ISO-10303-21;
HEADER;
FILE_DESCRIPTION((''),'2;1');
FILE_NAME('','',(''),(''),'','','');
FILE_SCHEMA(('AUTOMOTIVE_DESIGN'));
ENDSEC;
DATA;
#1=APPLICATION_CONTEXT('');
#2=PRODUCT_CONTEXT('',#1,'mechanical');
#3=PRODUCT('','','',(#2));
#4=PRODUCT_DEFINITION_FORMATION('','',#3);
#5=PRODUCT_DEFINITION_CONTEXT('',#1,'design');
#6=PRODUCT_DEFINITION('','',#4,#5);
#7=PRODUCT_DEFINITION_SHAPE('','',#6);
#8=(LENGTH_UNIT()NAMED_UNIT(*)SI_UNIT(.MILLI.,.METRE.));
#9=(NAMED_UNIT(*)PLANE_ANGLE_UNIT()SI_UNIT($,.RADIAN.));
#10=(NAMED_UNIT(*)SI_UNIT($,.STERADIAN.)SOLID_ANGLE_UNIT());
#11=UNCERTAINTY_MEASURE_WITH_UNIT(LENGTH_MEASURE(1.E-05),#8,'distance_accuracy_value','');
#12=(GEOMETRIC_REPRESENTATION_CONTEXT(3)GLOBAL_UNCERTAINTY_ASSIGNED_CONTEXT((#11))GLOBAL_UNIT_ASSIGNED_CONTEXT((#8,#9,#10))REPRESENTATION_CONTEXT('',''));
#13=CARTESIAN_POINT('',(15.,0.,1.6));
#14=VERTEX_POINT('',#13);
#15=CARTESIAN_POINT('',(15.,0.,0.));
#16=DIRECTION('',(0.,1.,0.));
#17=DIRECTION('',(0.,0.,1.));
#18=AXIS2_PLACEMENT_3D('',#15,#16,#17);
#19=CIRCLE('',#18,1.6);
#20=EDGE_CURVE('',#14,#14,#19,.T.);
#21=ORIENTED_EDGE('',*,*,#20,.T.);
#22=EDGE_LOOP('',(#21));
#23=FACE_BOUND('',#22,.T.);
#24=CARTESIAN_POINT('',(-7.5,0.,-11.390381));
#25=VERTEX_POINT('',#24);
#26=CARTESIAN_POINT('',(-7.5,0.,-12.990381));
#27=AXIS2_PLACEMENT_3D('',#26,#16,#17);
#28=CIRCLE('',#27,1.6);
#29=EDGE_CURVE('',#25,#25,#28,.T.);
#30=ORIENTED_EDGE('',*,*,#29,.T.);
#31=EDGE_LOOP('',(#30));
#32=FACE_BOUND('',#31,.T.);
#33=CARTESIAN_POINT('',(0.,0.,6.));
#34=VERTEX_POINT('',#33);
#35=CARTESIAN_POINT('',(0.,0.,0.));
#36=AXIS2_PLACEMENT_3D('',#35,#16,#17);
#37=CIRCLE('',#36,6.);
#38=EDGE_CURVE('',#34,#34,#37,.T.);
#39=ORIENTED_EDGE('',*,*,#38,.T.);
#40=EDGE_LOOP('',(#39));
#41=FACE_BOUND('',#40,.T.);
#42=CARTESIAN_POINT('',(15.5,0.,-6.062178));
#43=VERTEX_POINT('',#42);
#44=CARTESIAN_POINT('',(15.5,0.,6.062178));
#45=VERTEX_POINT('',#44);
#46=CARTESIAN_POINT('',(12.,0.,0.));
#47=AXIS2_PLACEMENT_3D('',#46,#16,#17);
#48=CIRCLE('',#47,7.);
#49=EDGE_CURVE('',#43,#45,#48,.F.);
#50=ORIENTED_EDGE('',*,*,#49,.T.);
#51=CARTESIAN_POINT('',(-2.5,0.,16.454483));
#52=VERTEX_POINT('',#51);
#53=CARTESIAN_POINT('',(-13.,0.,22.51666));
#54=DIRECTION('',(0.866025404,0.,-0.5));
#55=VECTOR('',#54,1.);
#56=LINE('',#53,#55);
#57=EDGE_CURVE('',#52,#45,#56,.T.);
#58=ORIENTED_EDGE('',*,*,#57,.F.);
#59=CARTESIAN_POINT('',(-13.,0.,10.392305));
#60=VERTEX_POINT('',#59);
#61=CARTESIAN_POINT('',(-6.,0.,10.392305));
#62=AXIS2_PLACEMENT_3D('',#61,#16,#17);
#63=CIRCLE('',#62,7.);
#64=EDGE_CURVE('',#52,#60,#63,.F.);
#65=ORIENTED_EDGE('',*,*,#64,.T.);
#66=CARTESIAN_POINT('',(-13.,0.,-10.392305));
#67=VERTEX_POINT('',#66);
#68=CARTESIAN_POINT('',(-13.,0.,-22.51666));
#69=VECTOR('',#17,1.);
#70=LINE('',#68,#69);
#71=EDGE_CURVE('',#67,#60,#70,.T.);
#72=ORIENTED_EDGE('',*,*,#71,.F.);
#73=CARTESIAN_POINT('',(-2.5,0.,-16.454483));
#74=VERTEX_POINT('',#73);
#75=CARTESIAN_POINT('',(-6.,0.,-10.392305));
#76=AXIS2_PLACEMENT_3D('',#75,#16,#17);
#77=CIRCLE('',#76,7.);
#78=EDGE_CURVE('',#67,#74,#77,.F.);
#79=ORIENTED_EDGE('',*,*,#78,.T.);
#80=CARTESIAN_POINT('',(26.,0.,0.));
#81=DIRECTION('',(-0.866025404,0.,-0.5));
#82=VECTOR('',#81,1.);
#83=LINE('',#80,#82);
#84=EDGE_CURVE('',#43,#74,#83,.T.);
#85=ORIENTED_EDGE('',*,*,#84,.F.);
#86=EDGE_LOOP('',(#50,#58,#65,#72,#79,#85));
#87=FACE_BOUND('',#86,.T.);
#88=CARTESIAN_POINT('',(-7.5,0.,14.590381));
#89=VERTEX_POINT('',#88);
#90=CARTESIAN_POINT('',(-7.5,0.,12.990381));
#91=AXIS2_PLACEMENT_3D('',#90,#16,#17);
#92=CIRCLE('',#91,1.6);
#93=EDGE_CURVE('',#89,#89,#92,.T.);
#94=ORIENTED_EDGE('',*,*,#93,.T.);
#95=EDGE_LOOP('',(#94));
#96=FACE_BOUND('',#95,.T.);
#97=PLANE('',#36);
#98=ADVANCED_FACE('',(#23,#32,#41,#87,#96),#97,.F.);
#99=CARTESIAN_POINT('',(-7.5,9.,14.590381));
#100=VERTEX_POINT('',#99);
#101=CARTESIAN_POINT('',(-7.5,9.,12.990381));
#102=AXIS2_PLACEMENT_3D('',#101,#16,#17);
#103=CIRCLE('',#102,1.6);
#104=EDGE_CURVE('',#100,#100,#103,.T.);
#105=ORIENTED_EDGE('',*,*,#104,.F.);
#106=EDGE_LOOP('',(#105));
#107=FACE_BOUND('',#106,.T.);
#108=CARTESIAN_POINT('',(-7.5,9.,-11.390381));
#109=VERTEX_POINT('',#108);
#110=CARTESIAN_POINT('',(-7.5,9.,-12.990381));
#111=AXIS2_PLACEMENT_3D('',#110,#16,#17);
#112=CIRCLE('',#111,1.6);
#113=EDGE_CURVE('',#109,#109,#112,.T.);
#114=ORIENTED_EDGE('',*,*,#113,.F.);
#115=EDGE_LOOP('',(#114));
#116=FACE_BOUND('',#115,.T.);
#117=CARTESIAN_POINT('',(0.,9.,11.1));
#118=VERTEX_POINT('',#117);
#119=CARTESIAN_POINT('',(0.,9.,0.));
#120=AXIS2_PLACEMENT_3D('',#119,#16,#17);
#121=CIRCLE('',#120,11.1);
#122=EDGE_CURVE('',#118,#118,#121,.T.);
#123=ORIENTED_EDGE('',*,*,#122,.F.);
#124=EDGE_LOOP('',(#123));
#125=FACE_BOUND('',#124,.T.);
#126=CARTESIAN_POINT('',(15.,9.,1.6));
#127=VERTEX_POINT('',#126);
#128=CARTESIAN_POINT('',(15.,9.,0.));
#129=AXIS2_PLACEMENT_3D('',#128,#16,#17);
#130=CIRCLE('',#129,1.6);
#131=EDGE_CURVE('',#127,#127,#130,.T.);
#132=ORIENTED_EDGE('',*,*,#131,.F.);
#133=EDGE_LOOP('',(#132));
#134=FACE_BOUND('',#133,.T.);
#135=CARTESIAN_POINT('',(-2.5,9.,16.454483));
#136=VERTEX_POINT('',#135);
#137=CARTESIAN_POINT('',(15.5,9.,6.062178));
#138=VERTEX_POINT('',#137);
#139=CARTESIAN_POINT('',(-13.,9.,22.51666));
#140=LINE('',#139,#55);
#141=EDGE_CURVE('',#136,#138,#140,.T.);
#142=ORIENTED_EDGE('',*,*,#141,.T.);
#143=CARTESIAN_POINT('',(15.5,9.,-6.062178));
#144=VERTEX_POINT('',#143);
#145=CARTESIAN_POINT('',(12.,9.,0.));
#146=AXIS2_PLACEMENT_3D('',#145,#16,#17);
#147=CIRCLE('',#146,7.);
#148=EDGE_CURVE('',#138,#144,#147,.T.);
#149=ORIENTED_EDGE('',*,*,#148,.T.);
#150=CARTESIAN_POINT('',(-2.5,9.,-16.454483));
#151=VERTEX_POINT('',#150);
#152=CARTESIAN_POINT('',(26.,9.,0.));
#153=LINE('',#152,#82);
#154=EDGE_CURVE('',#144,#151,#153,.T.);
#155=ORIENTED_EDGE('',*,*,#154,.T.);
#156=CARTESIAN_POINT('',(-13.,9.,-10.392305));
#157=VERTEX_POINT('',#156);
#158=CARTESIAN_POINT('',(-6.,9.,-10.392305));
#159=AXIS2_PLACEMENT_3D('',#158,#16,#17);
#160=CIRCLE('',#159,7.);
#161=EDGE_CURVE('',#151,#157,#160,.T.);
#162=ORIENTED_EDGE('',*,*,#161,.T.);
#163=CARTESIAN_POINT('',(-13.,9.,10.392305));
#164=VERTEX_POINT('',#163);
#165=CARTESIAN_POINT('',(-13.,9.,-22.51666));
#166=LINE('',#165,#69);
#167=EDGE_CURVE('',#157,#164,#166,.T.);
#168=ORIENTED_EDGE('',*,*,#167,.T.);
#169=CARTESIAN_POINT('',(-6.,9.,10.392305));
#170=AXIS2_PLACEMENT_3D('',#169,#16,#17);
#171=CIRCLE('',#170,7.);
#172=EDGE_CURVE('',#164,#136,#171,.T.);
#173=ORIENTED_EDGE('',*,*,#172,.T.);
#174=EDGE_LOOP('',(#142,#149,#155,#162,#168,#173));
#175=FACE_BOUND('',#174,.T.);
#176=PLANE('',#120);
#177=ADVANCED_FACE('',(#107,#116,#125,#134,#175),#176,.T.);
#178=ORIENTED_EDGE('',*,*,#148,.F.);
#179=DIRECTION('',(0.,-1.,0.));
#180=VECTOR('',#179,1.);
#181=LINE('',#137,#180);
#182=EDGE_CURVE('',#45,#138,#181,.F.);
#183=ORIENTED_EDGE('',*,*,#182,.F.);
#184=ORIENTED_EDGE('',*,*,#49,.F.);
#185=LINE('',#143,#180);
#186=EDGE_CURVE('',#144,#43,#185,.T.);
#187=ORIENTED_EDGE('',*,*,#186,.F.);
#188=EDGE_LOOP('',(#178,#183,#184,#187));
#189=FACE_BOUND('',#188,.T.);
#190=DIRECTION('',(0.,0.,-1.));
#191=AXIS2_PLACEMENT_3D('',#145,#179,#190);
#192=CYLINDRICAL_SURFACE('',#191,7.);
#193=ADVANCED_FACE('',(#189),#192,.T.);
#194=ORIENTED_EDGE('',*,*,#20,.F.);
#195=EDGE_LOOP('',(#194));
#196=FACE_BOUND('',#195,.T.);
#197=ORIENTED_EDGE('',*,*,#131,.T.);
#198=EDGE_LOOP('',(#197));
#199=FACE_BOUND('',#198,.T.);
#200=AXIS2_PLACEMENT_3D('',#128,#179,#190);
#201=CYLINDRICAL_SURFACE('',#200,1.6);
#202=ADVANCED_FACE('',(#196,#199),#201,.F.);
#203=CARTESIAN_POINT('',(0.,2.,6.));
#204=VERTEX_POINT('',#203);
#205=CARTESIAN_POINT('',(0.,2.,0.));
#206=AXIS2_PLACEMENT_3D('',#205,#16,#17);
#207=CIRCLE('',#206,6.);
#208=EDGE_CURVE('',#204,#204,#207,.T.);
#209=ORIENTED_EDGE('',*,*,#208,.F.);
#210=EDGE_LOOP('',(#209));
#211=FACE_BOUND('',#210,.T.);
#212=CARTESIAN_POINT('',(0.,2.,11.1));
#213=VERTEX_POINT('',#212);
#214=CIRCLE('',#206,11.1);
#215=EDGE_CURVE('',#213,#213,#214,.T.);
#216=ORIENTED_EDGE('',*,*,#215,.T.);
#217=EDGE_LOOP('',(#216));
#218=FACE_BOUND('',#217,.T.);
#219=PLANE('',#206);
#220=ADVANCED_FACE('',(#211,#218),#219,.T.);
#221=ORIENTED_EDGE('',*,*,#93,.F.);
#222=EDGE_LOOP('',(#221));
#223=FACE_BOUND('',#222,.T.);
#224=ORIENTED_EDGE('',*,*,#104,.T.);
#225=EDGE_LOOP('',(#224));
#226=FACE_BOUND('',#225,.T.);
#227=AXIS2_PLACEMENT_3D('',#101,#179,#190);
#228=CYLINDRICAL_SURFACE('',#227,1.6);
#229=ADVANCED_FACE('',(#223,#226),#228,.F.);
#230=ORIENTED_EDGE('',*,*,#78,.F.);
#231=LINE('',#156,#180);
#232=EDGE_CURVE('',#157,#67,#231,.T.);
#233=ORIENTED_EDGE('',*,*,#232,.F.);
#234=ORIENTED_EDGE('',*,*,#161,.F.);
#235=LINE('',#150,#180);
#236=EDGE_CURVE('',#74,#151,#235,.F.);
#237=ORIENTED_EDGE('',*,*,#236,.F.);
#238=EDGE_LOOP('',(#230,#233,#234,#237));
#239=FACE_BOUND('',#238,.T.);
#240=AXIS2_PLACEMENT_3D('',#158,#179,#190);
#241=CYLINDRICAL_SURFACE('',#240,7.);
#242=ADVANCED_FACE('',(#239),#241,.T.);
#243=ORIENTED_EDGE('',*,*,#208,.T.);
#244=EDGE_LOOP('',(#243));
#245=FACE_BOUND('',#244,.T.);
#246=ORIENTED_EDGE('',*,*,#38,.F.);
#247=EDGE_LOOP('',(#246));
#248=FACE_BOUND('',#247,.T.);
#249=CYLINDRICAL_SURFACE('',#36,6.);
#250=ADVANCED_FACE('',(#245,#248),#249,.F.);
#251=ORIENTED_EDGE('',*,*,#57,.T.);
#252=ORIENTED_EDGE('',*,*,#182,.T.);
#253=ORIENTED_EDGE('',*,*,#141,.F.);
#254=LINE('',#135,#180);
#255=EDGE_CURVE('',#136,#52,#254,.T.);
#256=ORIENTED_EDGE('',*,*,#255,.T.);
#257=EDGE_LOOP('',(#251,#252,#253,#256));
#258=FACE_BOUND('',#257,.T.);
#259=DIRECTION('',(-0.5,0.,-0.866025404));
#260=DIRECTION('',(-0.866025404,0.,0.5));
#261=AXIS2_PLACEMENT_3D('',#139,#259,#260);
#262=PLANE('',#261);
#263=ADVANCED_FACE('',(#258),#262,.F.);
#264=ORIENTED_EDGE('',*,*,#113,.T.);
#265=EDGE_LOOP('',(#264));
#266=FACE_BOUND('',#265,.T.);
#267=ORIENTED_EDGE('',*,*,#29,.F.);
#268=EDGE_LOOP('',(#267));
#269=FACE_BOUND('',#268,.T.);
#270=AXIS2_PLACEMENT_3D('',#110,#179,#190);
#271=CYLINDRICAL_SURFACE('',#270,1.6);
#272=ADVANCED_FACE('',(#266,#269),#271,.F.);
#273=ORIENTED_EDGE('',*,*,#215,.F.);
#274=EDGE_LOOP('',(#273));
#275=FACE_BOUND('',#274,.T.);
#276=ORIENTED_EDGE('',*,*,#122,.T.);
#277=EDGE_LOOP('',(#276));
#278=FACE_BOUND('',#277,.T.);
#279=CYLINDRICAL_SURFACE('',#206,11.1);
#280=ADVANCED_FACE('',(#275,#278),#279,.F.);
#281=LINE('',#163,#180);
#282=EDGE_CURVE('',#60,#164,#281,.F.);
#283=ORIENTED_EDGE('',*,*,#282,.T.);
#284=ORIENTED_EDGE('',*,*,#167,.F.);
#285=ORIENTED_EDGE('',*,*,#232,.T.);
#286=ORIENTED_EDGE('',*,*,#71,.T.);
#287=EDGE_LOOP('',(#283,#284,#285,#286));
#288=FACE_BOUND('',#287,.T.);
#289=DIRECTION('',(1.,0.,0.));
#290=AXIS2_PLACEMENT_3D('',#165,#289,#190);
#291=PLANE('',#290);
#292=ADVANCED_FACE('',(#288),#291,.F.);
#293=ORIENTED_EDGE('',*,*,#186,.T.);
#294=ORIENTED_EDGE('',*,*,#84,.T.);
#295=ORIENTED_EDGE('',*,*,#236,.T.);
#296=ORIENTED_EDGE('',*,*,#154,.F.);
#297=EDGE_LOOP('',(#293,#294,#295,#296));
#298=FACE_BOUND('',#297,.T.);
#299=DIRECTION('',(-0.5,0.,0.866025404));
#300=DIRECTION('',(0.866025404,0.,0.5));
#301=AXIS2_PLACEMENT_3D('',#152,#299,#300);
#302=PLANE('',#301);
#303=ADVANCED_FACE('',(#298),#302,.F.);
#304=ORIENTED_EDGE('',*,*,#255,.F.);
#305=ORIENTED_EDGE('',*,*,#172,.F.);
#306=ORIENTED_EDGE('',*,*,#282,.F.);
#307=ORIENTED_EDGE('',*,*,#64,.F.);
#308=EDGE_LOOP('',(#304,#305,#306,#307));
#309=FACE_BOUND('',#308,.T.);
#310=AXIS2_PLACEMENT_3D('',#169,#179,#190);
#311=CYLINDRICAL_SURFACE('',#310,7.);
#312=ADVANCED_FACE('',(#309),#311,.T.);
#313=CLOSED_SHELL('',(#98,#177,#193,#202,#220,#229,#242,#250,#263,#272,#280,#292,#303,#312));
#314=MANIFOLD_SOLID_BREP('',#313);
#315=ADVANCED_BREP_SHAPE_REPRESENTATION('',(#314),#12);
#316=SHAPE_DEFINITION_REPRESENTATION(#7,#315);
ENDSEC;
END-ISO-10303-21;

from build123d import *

# Parameters (mm, degrees)
SKETCH1_R           = 1.6
BOSS_EXTRUDE1_DEPTH = 9
SKETCH2_R           = 11.1
CUT_EXTRUDE1_DEPTH  = 7
FILLET1_R           = 7
SKETCH3_R           = 6
CUT_EXTRUDE2_DEPTH  = 3


with BuildPart() as part:
    # Sketch1 → Boss-Extrude1 (new body)
    with BuildSketch(Plane(origin=(0, 0, 0), x_dir=(1, 0, 0), z_dir=(0, 1, 0))):
        Polygon((26, 0), (-13, 22.516660498), (-13, -22.516660498), align=None)
        with Locations((-7.5, 12.990381057)):
            Circle(SKETCH1_R, mode=Mode.SUBTRACT)
        with Locations((15, 0)):
            Circle(SKETCH1_R, mode=Mode.SUBTRACT)
        with Locations((-7.5, -12.990381057)):
            Circle(SKETCH1_R, mode=Mode.SUBTRACT)
    extrude(amount=BOSS_EXTRUDE1_DEPTH)

    # Sketch2 → Cut-Extrude1 (cut)
    with BuildSketch(Plane(origin=(0, 9, 0), x_dir=(1, 0, 0), z_dir=(0, 1, 0))):
        Circle(SKETCH2_R)
    extrude(amount=-CUT_EXTRUDE1_DEPTH, mode=Mode.SUBTRACT)

    # Fillet1
    fillet1_edges = [part.edges().sort_by_distance(p)[0] for p in [
        (-13, 4.5, 22.516660498),
        (-13, 4.5, -22.516660498),
        (26, 4.5, 0),
    ]]
    fillet(fillet1_edges, radius=FILLET1_R)

    # Sketch3 → Cut-Extrude2 (cut, through all)
    with BuildSketch(Plane(origin=(0, 2, 0), x_dir=(1, 0, 0), z_dir=(0, 1, 0))):
        Circle(SKETCH3_R)
    extrude(amount=-CUT_EXTRUDE2_DEPTH, mode=Mode.SUBTRACT)


solid = part.part
